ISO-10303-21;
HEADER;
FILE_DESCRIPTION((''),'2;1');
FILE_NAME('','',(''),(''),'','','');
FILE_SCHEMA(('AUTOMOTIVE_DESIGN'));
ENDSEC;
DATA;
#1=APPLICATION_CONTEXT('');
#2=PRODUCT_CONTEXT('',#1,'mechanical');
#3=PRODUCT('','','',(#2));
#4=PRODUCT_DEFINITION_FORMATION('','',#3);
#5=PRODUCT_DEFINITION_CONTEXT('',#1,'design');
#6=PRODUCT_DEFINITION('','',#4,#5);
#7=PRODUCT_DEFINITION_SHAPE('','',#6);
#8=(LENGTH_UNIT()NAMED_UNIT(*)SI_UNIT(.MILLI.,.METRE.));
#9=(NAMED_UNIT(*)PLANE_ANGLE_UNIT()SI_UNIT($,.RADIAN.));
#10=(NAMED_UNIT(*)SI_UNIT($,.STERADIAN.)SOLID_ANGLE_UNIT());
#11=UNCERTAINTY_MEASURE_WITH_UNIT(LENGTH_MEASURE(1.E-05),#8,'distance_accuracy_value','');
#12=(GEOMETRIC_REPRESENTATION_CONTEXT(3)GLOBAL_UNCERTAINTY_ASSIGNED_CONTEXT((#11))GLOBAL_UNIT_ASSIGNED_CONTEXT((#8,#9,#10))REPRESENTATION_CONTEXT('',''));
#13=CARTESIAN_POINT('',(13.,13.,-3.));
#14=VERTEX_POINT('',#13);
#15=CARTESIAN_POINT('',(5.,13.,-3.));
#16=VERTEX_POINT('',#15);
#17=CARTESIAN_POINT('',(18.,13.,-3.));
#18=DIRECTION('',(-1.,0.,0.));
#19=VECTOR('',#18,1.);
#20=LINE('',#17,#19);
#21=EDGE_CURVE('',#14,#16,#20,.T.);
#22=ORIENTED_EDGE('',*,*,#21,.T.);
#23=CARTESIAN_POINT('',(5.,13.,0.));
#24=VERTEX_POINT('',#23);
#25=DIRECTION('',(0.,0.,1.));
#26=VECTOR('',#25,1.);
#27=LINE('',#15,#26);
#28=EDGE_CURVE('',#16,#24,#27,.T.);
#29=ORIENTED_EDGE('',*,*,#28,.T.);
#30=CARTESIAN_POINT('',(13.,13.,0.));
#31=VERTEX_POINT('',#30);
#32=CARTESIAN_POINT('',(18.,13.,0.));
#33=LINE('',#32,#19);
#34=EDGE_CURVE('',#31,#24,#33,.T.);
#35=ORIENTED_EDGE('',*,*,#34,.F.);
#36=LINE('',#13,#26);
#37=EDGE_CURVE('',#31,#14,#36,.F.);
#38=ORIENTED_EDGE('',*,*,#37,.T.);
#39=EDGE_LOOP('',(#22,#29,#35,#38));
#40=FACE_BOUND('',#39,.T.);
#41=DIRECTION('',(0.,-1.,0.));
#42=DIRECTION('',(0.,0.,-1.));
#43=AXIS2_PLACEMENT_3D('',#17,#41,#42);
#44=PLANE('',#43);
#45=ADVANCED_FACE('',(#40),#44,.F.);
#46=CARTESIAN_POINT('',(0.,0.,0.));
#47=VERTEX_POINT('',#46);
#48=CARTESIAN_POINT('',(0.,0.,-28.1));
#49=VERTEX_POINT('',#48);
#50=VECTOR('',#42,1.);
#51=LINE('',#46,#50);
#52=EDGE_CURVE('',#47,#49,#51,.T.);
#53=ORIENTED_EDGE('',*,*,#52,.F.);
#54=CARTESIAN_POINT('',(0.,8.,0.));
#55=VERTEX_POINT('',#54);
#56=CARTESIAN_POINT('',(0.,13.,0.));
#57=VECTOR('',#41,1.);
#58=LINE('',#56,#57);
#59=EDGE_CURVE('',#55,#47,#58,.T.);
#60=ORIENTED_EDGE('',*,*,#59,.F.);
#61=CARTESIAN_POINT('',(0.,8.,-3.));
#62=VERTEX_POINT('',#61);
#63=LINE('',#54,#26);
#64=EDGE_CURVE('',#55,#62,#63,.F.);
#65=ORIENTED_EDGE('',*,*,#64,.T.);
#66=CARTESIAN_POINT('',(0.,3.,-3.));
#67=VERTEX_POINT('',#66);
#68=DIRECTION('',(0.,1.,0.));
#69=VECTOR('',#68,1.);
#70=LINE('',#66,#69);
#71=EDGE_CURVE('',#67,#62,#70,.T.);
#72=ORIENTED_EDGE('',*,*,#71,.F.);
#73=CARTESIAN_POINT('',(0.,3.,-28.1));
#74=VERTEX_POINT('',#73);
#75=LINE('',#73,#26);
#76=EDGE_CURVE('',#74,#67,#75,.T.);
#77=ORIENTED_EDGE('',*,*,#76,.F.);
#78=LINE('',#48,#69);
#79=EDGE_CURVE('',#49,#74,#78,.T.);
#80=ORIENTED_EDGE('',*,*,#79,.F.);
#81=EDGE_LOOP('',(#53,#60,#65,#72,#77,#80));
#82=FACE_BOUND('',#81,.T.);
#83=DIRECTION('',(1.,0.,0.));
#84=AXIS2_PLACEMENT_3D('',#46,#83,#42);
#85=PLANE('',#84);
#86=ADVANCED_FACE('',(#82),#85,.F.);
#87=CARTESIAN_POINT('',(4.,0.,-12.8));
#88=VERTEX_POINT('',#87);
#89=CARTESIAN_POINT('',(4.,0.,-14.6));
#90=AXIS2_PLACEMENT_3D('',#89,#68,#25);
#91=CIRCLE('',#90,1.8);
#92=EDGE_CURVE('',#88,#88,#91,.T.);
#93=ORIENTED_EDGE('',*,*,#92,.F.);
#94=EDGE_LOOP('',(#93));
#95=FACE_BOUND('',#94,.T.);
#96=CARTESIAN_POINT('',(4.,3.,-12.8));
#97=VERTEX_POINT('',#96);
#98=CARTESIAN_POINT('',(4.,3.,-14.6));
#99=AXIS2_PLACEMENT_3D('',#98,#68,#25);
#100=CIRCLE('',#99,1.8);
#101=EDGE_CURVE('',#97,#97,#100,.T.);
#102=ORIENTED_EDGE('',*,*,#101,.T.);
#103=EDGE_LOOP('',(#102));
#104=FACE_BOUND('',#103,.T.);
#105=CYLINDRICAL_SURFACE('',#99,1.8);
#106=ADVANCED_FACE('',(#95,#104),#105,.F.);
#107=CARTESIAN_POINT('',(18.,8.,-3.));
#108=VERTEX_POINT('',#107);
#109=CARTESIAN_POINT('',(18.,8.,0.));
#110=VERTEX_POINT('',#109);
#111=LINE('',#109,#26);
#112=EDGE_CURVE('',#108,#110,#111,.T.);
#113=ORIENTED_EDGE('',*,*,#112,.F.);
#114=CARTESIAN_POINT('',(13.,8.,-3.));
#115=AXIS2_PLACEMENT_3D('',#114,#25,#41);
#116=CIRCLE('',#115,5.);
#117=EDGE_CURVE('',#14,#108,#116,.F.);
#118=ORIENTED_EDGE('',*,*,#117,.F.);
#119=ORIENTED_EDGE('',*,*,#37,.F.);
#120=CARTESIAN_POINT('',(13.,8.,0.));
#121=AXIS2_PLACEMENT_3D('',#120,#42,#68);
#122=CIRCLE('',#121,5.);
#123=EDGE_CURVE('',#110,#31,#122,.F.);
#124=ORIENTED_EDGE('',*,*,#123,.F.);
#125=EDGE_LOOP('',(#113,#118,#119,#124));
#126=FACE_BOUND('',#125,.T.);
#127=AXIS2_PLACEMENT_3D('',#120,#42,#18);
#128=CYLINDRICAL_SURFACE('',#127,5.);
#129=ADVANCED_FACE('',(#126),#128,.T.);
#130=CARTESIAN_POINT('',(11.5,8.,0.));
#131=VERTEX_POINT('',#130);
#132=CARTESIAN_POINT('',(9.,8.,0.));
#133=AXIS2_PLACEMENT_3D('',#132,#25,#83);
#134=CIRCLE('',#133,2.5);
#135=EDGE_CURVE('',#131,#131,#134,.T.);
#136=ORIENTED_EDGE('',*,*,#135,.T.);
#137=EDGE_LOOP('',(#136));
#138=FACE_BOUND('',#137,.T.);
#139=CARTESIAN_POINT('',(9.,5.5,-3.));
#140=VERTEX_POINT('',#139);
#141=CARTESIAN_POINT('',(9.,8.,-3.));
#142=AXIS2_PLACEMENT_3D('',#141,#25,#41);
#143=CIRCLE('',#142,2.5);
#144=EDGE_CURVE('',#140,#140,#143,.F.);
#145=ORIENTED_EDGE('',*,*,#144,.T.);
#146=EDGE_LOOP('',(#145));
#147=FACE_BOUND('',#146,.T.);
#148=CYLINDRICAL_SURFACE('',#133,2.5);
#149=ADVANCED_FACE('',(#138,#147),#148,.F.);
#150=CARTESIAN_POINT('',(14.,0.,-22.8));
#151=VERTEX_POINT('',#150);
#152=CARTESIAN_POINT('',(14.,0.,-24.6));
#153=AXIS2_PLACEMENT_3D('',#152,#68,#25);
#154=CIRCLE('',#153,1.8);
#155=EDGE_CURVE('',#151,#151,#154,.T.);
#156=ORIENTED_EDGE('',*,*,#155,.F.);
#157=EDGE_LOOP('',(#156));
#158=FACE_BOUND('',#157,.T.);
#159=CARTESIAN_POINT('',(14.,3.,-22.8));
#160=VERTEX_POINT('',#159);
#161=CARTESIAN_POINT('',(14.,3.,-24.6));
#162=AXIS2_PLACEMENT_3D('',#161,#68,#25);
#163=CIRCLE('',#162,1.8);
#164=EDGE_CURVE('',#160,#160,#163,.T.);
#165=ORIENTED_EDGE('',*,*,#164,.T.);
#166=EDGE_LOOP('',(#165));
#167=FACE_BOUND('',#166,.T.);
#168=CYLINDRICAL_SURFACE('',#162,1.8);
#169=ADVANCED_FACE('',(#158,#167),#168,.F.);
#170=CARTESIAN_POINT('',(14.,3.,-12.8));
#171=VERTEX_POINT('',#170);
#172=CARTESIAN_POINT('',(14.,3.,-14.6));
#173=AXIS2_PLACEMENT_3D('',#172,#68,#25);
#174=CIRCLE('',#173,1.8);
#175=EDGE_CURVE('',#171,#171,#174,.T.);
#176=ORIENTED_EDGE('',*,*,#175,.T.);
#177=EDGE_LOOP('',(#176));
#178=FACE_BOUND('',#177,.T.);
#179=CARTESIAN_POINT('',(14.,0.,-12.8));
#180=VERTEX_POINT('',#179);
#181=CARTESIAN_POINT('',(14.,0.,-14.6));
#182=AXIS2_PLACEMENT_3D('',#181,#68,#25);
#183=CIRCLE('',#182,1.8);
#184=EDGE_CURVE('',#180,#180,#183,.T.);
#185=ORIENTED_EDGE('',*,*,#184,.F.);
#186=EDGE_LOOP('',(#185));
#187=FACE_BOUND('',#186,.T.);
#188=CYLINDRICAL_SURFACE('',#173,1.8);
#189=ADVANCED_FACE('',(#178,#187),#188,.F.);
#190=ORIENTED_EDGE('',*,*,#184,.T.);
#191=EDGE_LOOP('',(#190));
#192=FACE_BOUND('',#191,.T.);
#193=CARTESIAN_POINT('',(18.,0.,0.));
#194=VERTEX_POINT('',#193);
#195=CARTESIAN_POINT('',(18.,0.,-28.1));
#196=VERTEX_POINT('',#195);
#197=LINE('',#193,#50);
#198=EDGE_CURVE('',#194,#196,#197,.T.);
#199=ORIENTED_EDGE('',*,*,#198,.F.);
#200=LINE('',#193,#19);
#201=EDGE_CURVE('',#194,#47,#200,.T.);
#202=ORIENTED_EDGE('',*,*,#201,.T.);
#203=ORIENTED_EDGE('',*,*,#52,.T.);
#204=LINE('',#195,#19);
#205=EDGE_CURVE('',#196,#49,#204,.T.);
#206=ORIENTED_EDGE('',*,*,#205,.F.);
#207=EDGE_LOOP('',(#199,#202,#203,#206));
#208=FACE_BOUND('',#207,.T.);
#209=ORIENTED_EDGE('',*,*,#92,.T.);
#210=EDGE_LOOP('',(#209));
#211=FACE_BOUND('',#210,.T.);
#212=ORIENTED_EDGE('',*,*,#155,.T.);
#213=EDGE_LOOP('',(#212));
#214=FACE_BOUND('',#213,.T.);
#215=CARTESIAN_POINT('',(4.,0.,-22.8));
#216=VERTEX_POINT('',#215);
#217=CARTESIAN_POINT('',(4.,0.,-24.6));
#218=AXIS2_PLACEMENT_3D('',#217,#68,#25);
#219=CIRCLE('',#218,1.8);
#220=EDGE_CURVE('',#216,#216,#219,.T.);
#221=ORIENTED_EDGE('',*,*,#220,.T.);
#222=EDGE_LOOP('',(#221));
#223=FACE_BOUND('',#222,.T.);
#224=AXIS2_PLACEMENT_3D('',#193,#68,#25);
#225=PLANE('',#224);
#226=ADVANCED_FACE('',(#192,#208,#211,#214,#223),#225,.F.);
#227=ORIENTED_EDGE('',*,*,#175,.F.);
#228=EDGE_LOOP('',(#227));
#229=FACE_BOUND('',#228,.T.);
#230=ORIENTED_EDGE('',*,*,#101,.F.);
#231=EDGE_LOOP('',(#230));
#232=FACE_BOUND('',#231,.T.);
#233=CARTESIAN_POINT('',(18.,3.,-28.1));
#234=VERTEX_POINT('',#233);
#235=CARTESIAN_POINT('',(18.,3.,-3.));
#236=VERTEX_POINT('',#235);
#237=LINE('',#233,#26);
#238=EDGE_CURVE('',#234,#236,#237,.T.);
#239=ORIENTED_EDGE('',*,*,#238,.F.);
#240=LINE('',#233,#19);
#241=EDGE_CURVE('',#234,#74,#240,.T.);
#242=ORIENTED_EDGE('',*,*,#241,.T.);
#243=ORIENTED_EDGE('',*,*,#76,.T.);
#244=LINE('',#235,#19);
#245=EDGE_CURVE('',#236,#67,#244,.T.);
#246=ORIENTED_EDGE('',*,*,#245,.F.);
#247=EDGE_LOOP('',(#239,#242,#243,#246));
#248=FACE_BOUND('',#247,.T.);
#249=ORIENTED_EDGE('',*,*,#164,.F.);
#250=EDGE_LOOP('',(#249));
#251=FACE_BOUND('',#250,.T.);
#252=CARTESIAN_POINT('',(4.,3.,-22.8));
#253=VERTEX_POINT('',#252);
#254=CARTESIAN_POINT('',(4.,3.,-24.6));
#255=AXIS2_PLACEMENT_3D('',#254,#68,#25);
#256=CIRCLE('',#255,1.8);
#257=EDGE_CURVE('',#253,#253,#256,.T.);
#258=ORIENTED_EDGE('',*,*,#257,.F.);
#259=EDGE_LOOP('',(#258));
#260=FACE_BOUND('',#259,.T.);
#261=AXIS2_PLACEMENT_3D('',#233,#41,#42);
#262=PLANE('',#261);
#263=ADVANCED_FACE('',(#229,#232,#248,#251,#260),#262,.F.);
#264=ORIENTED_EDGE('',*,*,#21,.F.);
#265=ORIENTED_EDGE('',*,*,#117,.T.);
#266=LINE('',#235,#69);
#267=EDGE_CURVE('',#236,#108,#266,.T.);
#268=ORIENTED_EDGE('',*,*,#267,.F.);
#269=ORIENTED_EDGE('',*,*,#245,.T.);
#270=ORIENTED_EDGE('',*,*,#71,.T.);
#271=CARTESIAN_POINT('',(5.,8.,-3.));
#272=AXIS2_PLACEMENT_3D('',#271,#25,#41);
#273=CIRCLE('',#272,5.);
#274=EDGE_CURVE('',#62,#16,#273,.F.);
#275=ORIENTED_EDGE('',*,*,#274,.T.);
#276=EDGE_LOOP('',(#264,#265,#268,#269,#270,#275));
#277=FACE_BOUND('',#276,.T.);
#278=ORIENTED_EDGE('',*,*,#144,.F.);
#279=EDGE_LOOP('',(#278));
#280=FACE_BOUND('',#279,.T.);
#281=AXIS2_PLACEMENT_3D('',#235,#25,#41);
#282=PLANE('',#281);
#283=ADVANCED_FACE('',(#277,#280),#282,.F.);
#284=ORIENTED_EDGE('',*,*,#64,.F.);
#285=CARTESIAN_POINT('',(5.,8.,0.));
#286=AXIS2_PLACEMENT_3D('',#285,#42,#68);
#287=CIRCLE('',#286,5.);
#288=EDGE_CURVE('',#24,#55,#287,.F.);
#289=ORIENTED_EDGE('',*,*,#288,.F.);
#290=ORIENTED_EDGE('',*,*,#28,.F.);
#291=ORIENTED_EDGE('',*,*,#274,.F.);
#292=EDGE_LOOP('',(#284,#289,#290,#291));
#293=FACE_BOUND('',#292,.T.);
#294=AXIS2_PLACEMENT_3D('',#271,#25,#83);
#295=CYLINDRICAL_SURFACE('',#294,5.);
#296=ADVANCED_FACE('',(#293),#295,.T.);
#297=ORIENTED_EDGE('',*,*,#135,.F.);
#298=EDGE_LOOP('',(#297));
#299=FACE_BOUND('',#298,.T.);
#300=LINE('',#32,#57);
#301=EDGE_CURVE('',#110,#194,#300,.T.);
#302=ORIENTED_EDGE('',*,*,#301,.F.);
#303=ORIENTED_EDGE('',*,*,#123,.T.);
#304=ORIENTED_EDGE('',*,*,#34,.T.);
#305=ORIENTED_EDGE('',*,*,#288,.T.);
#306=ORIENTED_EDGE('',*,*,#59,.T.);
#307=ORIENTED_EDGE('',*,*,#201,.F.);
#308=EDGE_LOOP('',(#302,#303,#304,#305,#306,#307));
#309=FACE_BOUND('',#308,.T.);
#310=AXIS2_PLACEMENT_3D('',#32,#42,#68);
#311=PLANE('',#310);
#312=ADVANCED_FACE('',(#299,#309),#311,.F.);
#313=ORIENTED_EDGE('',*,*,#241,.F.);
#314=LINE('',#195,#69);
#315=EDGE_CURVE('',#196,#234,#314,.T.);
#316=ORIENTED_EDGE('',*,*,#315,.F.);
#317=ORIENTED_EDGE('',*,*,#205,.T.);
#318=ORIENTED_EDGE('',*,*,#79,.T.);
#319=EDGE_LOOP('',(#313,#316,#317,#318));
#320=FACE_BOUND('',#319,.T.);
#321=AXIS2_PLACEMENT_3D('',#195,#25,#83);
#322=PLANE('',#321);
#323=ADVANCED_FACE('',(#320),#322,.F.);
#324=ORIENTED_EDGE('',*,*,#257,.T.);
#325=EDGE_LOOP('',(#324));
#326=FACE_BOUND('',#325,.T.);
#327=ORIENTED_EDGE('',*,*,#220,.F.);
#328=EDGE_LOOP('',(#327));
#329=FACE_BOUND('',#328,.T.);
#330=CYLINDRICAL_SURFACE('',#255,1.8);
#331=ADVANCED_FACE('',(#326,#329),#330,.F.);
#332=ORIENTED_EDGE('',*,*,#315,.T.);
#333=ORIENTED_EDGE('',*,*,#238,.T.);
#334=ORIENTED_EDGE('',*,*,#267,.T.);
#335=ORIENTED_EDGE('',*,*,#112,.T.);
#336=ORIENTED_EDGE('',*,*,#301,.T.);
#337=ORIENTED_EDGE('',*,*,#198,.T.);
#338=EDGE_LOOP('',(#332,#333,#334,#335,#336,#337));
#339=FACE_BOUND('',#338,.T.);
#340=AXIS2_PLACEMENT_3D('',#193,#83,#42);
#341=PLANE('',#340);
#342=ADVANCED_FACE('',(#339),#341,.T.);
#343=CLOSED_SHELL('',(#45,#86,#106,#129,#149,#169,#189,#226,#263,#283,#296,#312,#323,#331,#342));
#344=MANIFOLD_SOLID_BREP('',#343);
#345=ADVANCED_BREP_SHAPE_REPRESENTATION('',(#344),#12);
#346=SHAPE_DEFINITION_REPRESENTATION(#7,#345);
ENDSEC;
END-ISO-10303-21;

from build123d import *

# Parameters (mm, degrees)
BOSS_EXTRUDE1_DEPTH       = 18
F_5_0MM_DOWEL_HOLE1_D     = 5
F_5_0MM_DOWEL_HOLE1_DEPTH = 3
F_5_0MM_DOWEL_HOLE1_TIP   = 1.502151548
FILLET1_R                 = 5
M3_CLEARANCE_HOLE1_D      = 3.6


with BuildPart() as part:
    # Sketch1 → Boss-Extrude1 (new body)
    with BuildSketch(Plane(origin=(0, 0, 0), x_dir=(0, 0, -1), z_dir=(1, 0, 0))):
        Polygon((0, 0), (28.1, 0), (28.1, 3), (3, 3), (3, 13), (0, 13), align=None)
    extrude(amount=BOSS_EXTRUDE1_DEPTH)

    # Ø5.0mm Dowel Hole1
    with Locations(Plane.XY):
        with Locations((9, 8)):
            Hole(F_5_0MM_DOWEL_HOLE1_D / 2, depth=F_5_0MM_DOWEL_HOLE1_DEPTH)
            with Locations((0, 0, -(F_5_0MM_DOWEL_HOLE1_DEPTH + F_5_0MM_DOWEL_HOLE1_TIP / 2))):  # 118° drill point
                Cone(0, F_5_0MM_DOWEL_HOLE1_D / 2, F_5_0MM_DOWEL_HOLE1_TIP, mode=Mode.SUBTRACT)

    # Fillet1
    fillet1_edges = [part.edges().sort_by_distance(p)[0] for p in [
        (18, 13, -1.5),
        (0, 13, -1.5),
    ]]
    fillet(fillet1_edges, radius=FILLET1_R)

    # M3 Clearance Hole1 (through all)
    with Locations(Plane(origin=(0, 3, 0), x_dir=(1, 0, 0), z_dir=(0, 1, 0))):
        with Locations((14, 24.6), (4, 24.6), (4, 14.6), (14, 14.6)):
            Hole(M3_CLEARANCE_HOLE1_D / 2)


solid = part.part
